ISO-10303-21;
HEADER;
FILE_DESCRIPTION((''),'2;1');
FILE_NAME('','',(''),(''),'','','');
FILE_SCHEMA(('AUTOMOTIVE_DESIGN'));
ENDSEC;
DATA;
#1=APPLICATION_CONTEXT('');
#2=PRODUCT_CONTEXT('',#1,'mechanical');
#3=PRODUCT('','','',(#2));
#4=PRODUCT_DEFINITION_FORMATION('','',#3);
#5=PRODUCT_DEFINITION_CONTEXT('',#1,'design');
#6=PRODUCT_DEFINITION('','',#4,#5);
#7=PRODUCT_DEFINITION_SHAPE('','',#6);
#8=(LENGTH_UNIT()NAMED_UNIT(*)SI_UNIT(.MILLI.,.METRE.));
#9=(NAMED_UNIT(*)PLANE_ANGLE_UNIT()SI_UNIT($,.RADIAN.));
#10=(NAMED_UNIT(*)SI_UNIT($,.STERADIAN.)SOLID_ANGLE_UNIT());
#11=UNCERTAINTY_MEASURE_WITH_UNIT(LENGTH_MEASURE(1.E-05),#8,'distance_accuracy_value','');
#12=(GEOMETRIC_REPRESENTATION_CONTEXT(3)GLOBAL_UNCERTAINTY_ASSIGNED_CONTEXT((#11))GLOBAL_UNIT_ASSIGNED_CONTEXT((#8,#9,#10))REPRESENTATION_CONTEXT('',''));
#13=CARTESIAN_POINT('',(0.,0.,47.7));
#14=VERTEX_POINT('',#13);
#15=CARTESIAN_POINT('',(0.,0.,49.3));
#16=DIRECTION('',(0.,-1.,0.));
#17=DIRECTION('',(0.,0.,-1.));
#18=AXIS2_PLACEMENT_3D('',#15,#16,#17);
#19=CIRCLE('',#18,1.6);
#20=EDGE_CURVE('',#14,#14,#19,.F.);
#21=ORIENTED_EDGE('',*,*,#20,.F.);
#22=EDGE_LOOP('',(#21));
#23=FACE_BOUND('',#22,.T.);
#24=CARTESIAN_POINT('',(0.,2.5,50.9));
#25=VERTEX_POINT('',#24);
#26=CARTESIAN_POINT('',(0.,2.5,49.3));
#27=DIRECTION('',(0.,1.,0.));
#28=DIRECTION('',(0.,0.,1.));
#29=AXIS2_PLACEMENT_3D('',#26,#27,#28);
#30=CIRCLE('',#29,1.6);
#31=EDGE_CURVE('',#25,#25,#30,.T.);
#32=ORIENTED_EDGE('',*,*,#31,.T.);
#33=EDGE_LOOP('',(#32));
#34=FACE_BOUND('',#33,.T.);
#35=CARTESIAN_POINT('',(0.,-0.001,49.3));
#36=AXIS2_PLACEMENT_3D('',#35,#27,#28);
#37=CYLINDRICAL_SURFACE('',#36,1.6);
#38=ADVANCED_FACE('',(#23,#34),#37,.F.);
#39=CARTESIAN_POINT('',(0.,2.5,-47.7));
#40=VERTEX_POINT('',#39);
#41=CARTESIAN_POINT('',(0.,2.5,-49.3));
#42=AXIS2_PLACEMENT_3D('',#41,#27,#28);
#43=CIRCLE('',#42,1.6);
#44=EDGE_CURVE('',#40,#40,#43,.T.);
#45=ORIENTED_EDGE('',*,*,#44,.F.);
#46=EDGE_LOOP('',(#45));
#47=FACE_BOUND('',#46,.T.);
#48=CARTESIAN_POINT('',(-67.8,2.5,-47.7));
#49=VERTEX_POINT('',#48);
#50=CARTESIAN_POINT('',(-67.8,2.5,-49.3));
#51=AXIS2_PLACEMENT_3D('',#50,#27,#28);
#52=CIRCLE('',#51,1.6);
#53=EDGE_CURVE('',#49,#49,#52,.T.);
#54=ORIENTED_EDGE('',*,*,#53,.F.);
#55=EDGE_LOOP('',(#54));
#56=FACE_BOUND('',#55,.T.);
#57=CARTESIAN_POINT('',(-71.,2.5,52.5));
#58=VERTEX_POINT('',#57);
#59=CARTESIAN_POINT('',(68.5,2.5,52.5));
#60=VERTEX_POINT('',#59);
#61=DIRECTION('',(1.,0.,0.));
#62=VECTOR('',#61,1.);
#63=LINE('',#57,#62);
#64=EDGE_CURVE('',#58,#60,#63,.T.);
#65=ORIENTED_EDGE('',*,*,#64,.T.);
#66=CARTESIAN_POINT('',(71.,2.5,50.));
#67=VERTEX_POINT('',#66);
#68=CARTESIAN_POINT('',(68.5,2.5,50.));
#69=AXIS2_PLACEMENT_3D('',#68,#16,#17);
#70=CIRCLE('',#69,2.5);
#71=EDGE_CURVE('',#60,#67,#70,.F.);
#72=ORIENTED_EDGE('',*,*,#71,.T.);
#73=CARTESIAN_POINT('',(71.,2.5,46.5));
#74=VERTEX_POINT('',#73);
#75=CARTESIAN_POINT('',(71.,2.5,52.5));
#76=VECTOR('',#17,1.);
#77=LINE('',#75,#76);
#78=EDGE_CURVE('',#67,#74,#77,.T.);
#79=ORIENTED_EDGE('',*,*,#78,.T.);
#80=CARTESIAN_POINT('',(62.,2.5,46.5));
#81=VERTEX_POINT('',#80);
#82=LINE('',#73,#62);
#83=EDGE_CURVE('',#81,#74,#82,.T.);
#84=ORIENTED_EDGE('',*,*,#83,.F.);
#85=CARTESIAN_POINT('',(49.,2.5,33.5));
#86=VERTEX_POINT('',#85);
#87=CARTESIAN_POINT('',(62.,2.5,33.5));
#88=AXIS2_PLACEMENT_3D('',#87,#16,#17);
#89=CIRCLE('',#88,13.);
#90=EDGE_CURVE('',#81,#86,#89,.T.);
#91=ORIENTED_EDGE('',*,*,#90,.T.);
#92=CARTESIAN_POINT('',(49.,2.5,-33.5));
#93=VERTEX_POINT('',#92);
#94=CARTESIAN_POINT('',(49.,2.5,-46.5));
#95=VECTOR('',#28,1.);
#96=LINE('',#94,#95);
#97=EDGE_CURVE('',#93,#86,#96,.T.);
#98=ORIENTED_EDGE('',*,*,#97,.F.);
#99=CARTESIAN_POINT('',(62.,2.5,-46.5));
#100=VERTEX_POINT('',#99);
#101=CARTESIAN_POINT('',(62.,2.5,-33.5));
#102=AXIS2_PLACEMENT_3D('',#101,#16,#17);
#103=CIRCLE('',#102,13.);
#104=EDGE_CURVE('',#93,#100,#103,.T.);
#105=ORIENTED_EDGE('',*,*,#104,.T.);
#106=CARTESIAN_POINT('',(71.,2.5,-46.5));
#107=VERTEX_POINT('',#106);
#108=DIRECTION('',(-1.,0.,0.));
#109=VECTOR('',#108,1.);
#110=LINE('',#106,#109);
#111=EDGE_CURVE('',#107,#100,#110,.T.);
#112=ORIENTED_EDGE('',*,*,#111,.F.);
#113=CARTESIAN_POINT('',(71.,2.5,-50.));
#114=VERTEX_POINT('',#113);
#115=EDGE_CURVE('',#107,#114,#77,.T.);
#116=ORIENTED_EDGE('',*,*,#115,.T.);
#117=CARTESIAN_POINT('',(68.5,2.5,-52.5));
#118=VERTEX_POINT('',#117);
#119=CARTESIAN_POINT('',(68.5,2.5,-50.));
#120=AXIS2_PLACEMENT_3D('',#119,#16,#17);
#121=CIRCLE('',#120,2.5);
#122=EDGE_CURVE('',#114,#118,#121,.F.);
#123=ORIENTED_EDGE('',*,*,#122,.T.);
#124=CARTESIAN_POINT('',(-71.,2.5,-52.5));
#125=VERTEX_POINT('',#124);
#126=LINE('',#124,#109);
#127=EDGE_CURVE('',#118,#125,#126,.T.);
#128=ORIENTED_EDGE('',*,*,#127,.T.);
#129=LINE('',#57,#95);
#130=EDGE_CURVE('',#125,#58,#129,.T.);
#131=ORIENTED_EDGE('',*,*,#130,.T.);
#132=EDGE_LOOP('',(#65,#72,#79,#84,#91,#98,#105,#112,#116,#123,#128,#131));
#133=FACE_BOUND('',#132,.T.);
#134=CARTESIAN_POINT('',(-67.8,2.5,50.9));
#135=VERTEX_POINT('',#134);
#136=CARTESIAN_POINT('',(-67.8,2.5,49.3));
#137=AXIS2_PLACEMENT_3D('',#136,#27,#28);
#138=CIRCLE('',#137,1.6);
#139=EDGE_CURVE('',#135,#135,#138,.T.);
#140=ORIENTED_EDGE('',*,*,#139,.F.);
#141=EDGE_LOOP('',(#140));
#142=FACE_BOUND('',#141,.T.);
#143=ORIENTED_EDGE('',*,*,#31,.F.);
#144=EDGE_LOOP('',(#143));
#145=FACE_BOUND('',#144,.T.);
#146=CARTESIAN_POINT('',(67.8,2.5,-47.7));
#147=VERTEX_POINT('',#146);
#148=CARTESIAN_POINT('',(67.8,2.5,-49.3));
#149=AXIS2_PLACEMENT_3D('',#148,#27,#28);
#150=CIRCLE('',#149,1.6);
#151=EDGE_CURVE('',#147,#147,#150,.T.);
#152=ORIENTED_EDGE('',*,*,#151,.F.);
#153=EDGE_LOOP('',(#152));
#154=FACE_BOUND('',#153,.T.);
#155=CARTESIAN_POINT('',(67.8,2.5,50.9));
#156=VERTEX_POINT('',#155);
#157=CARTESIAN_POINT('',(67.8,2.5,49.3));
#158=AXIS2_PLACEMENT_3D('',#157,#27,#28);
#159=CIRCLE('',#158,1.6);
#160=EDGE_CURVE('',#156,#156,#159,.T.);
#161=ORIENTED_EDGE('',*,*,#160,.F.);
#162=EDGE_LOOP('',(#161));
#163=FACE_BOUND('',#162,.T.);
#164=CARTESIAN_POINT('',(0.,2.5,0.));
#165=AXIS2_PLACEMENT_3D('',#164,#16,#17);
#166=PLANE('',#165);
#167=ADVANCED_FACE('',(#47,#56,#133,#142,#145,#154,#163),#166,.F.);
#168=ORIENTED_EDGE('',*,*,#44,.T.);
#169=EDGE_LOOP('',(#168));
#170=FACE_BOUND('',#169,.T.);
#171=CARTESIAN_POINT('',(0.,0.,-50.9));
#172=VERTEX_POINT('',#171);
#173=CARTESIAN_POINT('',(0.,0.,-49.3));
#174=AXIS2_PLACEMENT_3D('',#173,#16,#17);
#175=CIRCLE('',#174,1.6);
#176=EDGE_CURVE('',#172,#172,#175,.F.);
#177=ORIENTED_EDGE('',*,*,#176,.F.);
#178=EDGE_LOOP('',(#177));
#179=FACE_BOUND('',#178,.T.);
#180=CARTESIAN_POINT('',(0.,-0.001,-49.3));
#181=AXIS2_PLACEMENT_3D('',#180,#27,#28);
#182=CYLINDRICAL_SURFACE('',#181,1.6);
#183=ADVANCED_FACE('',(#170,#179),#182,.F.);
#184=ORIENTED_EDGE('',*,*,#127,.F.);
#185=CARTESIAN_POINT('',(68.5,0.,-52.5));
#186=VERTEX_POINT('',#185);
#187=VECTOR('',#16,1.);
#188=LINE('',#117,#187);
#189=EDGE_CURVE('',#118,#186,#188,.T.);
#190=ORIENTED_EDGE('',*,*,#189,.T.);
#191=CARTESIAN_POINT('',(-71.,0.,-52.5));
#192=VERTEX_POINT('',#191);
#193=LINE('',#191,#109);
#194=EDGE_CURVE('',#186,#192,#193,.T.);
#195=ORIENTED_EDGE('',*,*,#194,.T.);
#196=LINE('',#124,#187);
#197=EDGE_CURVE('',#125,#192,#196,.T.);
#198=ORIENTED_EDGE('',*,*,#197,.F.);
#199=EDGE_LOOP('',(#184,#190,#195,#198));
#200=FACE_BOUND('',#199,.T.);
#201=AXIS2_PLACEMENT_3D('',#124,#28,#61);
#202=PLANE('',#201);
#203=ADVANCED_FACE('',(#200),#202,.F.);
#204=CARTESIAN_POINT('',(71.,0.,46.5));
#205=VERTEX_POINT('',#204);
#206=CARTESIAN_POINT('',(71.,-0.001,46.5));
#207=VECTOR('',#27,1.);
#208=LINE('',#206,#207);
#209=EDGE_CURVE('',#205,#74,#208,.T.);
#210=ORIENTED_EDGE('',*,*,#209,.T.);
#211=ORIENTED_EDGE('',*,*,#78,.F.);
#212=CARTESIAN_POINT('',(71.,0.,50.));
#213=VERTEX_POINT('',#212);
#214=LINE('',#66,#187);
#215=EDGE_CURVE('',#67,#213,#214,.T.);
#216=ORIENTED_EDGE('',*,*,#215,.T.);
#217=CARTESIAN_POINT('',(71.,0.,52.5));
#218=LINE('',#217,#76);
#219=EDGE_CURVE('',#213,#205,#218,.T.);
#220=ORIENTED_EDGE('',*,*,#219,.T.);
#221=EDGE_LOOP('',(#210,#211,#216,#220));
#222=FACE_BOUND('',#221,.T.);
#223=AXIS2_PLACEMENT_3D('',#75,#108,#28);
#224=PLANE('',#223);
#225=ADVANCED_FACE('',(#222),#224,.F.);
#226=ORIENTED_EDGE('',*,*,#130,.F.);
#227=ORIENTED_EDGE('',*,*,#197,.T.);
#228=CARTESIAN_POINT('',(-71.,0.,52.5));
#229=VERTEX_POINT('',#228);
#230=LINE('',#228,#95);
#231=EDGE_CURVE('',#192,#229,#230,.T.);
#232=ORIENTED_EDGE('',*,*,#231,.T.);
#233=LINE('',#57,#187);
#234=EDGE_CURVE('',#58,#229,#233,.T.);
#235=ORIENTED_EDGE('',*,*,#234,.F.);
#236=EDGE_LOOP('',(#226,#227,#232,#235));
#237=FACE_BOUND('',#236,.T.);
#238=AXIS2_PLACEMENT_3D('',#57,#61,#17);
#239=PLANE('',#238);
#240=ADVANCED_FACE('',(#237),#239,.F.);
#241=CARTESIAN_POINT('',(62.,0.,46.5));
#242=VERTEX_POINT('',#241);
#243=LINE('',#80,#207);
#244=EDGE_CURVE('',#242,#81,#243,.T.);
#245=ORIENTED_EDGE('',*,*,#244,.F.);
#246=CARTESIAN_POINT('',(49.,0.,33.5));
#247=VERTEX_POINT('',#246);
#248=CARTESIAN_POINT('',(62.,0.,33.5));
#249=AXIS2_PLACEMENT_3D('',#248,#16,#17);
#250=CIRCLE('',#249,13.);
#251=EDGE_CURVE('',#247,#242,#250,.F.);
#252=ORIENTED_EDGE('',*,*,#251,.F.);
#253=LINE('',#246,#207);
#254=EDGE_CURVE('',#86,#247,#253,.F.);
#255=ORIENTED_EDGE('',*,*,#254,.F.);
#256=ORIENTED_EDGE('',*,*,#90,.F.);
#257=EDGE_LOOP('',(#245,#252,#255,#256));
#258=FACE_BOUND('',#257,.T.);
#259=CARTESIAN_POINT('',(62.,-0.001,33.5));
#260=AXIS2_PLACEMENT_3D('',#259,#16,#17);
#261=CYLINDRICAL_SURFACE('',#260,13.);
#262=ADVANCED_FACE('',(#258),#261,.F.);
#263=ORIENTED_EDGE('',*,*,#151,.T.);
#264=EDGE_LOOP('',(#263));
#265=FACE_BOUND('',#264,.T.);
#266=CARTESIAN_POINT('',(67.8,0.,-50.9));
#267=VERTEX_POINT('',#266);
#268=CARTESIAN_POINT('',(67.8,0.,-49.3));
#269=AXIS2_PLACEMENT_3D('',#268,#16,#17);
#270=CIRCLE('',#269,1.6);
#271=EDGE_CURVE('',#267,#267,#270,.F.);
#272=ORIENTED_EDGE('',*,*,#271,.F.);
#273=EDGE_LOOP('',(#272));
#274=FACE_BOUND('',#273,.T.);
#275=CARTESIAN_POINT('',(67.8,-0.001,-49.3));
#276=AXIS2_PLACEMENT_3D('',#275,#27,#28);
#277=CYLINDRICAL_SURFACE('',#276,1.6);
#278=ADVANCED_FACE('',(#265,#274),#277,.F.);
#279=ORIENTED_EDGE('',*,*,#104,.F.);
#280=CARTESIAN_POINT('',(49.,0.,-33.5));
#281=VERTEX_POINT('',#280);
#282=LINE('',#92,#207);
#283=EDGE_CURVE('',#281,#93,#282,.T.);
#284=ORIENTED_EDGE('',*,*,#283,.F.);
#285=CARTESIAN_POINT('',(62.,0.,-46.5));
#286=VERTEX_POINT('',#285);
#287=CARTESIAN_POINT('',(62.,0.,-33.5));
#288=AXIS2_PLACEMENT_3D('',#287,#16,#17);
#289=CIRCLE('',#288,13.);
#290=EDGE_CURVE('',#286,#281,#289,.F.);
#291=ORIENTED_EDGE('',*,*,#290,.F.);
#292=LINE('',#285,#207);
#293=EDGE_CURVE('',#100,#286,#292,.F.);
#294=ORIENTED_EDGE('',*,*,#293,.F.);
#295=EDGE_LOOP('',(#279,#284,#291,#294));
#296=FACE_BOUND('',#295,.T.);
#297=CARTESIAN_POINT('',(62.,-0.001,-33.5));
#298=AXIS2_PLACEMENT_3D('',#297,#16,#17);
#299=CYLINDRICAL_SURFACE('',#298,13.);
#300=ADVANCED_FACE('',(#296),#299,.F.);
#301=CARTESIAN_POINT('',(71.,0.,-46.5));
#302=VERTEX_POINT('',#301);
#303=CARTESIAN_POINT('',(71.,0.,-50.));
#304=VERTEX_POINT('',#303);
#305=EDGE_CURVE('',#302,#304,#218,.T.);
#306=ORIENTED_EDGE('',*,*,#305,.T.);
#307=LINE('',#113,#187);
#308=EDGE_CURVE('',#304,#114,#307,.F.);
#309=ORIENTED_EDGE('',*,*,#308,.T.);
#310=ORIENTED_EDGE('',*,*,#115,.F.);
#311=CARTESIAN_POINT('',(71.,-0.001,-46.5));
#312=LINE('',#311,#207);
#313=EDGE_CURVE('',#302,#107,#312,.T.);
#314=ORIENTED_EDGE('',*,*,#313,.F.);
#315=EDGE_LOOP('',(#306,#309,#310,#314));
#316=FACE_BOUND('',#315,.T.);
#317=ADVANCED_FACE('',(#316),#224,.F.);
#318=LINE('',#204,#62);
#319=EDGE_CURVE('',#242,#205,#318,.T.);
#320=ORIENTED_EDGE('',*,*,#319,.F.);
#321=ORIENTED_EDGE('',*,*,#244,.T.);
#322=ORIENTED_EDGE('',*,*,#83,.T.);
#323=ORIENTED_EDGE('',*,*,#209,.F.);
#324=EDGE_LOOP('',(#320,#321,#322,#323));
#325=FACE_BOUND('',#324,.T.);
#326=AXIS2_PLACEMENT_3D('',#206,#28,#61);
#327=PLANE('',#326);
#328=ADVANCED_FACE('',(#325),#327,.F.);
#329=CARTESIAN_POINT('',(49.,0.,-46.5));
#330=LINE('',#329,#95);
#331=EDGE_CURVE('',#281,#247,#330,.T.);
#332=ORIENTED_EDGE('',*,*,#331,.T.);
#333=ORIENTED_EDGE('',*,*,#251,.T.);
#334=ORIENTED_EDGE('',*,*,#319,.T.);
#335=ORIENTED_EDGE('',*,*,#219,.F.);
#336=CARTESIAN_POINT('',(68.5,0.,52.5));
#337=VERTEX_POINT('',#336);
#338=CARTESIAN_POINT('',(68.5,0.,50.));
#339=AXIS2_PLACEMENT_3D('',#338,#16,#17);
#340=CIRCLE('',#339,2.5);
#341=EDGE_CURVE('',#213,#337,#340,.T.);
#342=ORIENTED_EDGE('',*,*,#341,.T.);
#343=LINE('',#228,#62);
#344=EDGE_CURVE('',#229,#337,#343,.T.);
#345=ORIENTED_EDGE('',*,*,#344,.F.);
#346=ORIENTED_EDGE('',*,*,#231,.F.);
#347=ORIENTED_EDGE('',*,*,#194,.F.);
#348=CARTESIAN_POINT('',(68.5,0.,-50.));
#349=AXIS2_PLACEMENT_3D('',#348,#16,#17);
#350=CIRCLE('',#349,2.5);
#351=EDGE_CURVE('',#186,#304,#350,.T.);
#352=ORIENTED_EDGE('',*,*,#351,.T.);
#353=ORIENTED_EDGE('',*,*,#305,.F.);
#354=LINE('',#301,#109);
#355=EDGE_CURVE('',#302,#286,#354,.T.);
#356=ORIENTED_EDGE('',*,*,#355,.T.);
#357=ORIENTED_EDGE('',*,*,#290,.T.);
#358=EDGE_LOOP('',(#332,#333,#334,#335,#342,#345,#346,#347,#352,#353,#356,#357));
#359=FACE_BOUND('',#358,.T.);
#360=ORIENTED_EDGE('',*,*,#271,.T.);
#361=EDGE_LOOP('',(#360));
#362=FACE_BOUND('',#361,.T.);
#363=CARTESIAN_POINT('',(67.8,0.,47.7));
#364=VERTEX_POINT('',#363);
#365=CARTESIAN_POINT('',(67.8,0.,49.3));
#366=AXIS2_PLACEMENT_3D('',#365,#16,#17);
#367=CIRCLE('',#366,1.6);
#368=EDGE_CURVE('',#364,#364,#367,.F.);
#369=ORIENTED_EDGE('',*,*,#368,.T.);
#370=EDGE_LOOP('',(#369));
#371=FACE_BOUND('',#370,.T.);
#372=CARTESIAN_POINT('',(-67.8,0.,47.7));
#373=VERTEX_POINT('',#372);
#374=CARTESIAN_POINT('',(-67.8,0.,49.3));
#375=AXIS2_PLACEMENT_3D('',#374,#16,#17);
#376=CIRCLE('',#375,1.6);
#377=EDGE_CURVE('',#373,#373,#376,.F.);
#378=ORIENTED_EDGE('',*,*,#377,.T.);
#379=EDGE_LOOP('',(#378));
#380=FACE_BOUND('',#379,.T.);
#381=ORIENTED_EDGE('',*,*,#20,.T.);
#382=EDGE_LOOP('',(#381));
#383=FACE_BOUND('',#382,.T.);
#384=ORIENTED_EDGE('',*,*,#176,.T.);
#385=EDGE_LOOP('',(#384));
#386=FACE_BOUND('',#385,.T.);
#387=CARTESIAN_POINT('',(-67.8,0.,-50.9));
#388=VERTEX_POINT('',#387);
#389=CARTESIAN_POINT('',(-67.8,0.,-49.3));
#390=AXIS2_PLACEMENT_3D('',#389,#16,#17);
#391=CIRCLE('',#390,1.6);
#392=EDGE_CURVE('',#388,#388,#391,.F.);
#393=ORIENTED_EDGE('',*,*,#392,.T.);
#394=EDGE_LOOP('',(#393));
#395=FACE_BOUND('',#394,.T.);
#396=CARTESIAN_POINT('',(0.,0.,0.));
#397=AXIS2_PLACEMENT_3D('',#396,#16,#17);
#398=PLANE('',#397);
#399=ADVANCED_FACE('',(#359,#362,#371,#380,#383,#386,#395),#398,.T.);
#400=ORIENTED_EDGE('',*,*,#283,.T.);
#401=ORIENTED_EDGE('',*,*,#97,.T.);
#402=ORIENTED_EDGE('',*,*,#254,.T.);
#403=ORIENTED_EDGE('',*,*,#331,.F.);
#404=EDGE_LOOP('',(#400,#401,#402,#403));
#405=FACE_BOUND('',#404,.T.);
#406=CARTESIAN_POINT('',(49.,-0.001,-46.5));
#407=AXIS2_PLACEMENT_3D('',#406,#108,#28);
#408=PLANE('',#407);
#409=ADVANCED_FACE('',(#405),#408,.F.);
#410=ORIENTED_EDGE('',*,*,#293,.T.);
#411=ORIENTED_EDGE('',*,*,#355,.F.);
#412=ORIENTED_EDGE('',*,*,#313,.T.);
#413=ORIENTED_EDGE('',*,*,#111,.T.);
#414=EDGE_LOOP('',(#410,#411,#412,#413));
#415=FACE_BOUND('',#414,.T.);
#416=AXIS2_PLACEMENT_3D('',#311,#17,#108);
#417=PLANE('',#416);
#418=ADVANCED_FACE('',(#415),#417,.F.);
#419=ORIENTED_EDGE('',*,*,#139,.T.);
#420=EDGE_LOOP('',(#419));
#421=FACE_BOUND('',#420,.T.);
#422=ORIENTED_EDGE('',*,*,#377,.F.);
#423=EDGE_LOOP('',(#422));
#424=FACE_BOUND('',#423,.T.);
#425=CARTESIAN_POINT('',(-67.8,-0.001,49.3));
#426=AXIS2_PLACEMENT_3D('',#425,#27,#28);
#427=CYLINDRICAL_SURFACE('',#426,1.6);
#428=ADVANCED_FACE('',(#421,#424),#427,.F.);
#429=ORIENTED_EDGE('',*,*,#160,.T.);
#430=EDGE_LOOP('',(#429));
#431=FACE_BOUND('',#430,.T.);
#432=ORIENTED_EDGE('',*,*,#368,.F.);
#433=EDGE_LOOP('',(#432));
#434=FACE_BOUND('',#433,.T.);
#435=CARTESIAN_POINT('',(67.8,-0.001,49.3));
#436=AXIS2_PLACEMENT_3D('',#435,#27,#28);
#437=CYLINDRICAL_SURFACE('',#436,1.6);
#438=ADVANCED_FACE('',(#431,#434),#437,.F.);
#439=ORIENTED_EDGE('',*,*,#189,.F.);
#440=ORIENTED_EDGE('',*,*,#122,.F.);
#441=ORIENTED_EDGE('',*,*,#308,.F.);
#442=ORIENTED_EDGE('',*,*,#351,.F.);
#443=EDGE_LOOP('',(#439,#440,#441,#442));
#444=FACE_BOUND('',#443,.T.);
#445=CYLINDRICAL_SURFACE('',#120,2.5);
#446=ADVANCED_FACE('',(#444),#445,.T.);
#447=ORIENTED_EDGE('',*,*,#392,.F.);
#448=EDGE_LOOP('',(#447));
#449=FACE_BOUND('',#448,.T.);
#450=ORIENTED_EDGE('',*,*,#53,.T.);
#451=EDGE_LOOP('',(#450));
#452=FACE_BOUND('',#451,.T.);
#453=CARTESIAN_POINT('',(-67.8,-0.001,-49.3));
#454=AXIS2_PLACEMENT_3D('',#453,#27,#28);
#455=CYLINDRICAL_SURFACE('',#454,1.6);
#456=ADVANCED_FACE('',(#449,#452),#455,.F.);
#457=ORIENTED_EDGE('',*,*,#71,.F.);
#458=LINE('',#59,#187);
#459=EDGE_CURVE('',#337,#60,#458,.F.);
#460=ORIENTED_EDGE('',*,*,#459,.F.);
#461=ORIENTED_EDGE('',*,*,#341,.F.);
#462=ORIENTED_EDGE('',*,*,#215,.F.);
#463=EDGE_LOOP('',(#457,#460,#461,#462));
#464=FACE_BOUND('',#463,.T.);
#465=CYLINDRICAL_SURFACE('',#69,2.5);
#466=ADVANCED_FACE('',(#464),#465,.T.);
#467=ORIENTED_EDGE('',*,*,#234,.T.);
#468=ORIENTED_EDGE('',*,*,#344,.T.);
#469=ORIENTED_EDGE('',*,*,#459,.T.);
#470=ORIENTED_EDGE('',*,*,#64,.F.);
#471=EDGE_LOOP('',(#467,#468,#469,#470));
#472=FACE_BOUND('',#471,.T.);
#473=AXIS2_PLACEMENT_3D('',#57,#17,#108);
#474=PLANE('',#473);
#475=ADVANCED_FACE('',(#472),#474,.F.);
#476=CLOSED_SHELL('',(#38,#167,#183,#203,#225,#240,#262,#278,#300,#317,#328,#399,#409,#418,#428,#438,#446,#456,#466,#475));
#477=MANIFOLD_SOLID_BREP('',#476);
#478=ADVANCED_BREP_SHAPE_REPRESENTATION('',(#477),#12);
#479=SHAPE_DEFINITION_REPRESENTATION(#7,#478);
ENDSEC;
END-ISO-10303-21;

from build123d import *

# Parameters (mm, degrees)
SKETCH1_W           = 142
SKETCH1_H           = 105
BOSS_EXTRUDE1_DEPTH = 2.5
CUT_EXTRUDE1_REACH  = 90.337
SKETCH2_R           = 1.6
SKETCH2_W           = 22
SKETCH2_H           = 93
FILLET1_R           = 13
FILLET2_R           = 2.5


with BuildPart() as part:
    # Sketch1 → Boss-Extrude1 (new body)
    with BuildSketch(Plane(origin=(0, 0, 0), x_dir=(1, 0, 0), z_dir=(0, 1, 0))):
        Rectangle(SKETCH1_W, SKETCH1_H)
    extrude(amount=BOSS_EXTRUDE1_DEPTH)

    # Sketch2 → Cut-Extrude1 (cut, up to next)
    with BuildSketch(Plane(origin=(0, 2.5, 0), x_dir=(1, 0, 0), z_dir=(0, 1, 0)), mode=Mode.PRIVATE) as cut_extrude1_sk1:
        with Locations(Location((-67.8, 49.3, 0), (0, 0, 270))):
            Circle(SKETCH2_R)
    cut_extrude1_tool1 = extrude(cut_extrude1_sk1.sketch, amount=-CUT_EXTRUDE1_REACH, mode=Mode.PRIVATE) & part.part
    # Sketch2 → Cut-Extrude1 (cut, up to next)
    with BuildSketch(Plane(origin=(0, 2.5, 0), x_dir=(1, 0, 0), z_dir=(0, 1, 0)), mode=Mode.PRIVATE) as cut_extrude1_sk2:
        with Locations(Location((0, 49.3, 0), (0, 0, 270))):
            Circle(SKETCH2_R)
    cut_extrude1_tool2 = extrude(cut_extrude1_sk2.sketch, amount=-CUT_EXTRUDE1_REACH, mode=Mode.PRIVATE) & part.part
    # Sketch2 → Cut-Extrude1 (cut, up to next)
    with BuildSketch(Plane(origin=(0, 2.5, 0), x_dir=(1, 0, 0), z_dir=(0, 1, 0)), mode=Mode.PRIVATE) as cut_extrude1_sk3:
        with Locations(Location((0, -49.3, 0), (0, 0, 270))):
            Circle(SKETCH2_R)
    cut_extrude1_tool3 = extrude(cut_extrude1_sk3.sketch, amount=-CUT_EXTRUDE1_REACH, mode=Mode.PRIVATE) & part.part
    # Sketch2 → Cut-Extrude1 (cut, up to next)
    with BuildSketch(Plane(origin=(0, 2.5, 0), x_dir=(1, 0, 0), z_dir=(0, 1, 0)), mode=Mode.PRIVATE) as cut_extrude1_sk4:
        with Locations(Location((-67.8, -49.3, 0), (0, 0, 270))):
            Circle(SKETCH2_R)
    cut_extrude1_tool4 = extrude(cut_extrude1_sk4.sketch, amount=-CUT_EXTRUDE1_REACH, mode=Mode.PRIVATE) & part.part
    # Sketch2 → Cut-Extrude1 (cut, up to next)
    with BuildSketch(Plane(origin=(0, 2.5, 0), x_dir=(1, 0, 0), z_dir=(0, 1, 0)), mode=Mode.PRIVATE) as cut_extrude1_sk5:
        with Locations(Location((67.8, 49.3, 0), (0, 0, 270))):
            Circle(SKETCH2_R)
    cut_extrude1_tool5 = extrude(cut_extrude1_sk5.sketch, amount=-CUT_EXTRUDE1_REACH, mode=Mode.PRIVATE) & part.part
    # Sketch2 → Cut-Extrude1 (cut, up to next)
    with BuildSketch(Plane(origin=(0, 2.5, 0), x_dir=(1, 0, 0), z_dir=(0, 1, 0)), mode=Mode.PRIVATE) as cut_extrude1_sk6:
        with Locations(Location((67.8, -49.3, 0), (0, 0, 270))):
            Circle(SKETCH2_R)
    cut_extrude1_tool6 = extrude(cut_extrude1_sk6.sketch, amount=-CUT_EXTRUDE1_REACH, mode=Mode.PRIVATE) & part.part
    # Sketch2 → Cut-Extrude1 (cut, up to next)
    with BuildSketch(Plane(origin=(0, 2.5, 0), x_dir=(1, 0, 0), z_dir=(0, 1, 0)), mode=Mode.PRIVATE) as cut_extrude1_sk7:
        with Locations((60, 0)):
            Rectangle(SKETCH2_W, SKETCH2_H)
    cut_extrude1_tool7 = extrude(cut_extrude1_sk7.sketch, amount=-CUT_EXTRUDE1_REACH, mode=Mode.PRIVATE) & part.part
    add(cut_extrude1_tool1.solids().sort_by_distance((-67.8, 2.5, -49.3))[0], mode=Mode.SUBTRACT)
    add(cut_extrude1_tool2.solids().sort_by_distance((0, 2.5, -49.3))[0], mode=Mode.SUBTRACT)
    add(cut_extrude1_tool3.solids().sort_by_distance((0, 2.5, 49.3))[0], mode=Mode.SUBTRACT)
    add(cut_extrude1_tool4.solids().sort_by_distance((-67.8, 2.5, 49.3))[0], mode=Mode.SUBTRACT)
    add(cut_extrude1_tool5.solids().sort_by_distance((67.8, 2.5, -49.3))[0], mode=Mode.SUBTRACT)
    add(cut_extrude1_tool6.solids().sort_by_distance((67.8, 2.5, 49.3))[0], mode=Mode.SUBTRACT)
    add(cut_extrude1_tool7.solids().sort_by_distance((60, 2.5, 0))[0], mode=Mode.SUBTRACT)

    # Fillet1
    fillet1_edges = [part.edges().sort_by_distance(p)[0] for p in [
        (49, 1.25, 46.5),
        (49, 1.25, -46.5),
    ]]
    fillet(fillet1_edges, radius=FILLET1_R)

    # Fillet2
    fillet2_edges = [part.edges().sort_by_distance(p)[0] for p in [
        (71, 1.25, 52.5),
        (71, 1.25, -52.5),
    ]]
    fillet(fillet2_edges, radius=FILLET2_R)


solid = part.part
